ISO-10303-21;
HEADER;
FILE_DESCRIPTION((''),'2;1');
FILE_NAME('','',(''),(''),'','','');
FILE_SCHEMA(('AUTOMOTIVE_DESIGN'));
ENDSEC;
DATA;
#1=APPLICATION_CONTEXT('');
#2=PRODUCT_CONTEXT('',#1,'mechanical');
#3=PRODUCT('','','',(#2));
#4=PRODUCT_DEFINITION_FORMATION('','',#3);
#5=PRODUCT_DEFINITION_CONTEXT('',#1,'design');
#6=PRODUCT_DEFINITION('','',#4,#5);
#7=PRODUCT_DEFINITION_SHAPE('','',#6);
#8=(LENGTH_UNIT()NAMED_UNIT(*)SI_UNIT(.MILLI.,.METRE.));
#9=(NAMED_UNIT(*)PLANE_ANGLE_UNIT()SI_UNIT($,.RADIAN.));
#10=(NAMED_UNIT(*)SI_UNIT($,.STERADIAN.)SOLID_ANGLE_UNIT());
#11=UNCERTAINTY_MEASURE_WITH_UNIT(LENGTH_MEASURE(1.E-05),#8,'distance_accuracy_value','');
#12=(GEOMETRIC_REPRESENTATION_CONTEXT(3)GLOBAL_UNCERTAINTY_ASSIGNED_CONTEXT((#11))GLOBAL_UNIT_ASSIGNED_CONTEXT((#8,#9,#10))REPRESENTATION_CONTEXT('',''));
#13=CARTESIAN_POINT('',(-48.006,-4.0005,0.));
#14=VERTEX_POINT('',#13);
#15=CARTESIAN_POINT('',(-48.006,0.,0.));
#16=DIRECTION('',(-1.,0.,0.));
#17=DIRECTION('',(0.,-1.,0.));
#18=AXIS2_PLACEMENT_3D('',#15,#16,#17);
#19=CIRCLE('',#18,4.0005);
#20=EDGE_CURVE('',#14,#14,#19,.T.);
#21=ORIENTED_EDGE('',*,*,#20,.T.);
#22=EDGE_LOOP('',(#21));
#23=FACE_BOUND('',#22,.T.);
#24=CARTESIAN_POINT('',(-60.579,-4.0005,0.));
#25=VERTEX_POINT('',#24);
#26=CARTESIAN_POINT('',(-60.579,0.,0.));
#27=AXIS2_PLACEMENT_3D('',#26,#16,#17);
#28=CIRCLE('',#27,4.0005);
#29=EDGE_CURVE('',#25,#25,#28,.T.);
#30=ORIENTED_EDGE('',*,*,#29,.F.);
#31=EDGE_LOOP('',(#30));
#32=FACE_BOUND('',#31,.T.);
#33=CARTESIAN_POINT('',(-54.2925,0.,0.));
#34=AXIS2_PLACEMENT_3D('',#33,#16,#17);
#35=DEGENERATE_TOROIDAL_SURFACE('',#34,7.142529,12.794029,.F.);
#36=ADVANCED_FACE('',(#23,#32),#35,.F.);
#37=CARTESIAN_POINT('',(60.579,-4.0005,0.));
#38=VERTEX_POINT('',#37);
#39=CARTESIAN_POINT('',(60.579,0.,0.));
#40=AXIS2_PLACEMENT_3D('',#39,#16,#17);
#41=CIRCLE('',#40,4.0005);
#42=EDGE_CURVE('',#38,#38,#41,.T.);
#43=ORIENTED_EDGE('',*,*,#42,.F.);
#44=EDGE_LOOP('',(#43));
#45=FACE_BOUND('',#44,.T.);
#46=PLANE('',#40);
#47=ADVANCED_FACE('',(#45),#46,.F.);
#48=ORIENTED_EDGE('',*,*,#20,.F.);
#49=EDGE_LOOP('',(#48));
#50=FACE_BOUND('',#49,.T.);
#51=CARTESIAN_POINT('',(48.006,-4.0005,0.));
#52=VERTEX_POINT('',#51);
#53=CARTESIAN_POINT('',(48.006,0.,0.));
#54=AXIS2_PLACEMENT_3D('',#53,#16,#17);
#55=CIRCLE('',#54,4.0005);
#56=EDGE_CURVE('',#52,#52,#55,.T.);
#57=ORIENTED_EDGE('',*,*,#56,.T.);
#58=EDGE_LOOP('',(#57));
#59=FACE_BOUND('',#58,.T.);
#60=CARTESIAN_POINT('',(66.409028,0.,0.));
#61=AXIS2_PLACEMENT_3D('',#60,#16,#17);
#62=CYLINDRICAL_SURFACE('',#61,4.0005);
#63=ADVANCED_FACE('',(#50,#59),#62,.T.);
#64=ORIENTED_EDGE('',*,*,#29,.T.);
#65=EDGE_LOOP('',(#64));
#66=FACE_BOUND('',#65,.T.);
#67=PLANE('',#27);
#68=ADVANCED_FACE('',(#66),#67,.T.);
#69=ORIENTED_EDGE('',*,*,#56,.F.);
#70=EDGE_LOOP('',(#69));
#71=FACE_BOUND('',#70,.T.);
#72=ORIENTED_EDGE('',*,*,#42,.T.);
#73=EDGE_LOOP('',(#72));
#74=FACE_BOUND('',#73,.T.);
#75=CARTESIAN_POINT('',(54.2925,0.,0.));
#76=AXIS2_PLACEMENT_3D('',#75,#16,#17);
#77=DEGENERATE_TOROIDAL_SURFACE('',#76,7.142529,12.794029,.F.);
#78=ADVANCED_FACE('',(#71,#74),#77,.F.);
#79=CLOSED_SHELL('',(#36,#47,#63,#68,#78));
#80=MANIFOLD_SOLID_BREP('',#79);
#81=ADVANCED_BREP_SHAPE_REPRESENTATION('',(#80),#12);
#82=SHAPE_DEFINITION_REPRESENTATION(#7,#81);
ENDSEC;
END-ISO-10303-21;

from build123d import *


with BuildPart() as part:
    # Sketch1 → Revolve1 (revolve)
    with BuildSketch(Plane.XY, mode=Mode.PRIVATE) as revolve1_sk:
        with BuildLine():
            ThreePointArc((54.29249997, 5.6515), (51.042658326, 5.231868239), (48.006, 4.0005))
            Line((48.006, 4.0005), (-48.006, 4.0005))
            ThreePointArc((-48.006, 4.0005), (-51.042658379, 5.231868252), (-54.292500079, 5.6515))
            ThreePointArc((-54.292500079, 5.6515), (-57.542341698, 5.231868232), (-60.579, 4.0005))
            Line((-60.579, 4.0005), (-60.579, 0))
            Line((-60.579, 0), (48.006, 0))
            Line((48.006, 0), (60.579, 0))
            Line((60.579, 0), (60.579, 4.0005))
            ThreePointArc((60.579, 4.0005), (57.542341645, 5.231868246), (54.29249997, 5.6515))
        make_face()
    revolve(revolve1_sk.sketch.rotate(Axis((66.409028462, 0, 0), (1, 0, 0)), 180), axis=Axis((66.409028462, 0, 0), (1, 0, 0)))


solid = part.part
